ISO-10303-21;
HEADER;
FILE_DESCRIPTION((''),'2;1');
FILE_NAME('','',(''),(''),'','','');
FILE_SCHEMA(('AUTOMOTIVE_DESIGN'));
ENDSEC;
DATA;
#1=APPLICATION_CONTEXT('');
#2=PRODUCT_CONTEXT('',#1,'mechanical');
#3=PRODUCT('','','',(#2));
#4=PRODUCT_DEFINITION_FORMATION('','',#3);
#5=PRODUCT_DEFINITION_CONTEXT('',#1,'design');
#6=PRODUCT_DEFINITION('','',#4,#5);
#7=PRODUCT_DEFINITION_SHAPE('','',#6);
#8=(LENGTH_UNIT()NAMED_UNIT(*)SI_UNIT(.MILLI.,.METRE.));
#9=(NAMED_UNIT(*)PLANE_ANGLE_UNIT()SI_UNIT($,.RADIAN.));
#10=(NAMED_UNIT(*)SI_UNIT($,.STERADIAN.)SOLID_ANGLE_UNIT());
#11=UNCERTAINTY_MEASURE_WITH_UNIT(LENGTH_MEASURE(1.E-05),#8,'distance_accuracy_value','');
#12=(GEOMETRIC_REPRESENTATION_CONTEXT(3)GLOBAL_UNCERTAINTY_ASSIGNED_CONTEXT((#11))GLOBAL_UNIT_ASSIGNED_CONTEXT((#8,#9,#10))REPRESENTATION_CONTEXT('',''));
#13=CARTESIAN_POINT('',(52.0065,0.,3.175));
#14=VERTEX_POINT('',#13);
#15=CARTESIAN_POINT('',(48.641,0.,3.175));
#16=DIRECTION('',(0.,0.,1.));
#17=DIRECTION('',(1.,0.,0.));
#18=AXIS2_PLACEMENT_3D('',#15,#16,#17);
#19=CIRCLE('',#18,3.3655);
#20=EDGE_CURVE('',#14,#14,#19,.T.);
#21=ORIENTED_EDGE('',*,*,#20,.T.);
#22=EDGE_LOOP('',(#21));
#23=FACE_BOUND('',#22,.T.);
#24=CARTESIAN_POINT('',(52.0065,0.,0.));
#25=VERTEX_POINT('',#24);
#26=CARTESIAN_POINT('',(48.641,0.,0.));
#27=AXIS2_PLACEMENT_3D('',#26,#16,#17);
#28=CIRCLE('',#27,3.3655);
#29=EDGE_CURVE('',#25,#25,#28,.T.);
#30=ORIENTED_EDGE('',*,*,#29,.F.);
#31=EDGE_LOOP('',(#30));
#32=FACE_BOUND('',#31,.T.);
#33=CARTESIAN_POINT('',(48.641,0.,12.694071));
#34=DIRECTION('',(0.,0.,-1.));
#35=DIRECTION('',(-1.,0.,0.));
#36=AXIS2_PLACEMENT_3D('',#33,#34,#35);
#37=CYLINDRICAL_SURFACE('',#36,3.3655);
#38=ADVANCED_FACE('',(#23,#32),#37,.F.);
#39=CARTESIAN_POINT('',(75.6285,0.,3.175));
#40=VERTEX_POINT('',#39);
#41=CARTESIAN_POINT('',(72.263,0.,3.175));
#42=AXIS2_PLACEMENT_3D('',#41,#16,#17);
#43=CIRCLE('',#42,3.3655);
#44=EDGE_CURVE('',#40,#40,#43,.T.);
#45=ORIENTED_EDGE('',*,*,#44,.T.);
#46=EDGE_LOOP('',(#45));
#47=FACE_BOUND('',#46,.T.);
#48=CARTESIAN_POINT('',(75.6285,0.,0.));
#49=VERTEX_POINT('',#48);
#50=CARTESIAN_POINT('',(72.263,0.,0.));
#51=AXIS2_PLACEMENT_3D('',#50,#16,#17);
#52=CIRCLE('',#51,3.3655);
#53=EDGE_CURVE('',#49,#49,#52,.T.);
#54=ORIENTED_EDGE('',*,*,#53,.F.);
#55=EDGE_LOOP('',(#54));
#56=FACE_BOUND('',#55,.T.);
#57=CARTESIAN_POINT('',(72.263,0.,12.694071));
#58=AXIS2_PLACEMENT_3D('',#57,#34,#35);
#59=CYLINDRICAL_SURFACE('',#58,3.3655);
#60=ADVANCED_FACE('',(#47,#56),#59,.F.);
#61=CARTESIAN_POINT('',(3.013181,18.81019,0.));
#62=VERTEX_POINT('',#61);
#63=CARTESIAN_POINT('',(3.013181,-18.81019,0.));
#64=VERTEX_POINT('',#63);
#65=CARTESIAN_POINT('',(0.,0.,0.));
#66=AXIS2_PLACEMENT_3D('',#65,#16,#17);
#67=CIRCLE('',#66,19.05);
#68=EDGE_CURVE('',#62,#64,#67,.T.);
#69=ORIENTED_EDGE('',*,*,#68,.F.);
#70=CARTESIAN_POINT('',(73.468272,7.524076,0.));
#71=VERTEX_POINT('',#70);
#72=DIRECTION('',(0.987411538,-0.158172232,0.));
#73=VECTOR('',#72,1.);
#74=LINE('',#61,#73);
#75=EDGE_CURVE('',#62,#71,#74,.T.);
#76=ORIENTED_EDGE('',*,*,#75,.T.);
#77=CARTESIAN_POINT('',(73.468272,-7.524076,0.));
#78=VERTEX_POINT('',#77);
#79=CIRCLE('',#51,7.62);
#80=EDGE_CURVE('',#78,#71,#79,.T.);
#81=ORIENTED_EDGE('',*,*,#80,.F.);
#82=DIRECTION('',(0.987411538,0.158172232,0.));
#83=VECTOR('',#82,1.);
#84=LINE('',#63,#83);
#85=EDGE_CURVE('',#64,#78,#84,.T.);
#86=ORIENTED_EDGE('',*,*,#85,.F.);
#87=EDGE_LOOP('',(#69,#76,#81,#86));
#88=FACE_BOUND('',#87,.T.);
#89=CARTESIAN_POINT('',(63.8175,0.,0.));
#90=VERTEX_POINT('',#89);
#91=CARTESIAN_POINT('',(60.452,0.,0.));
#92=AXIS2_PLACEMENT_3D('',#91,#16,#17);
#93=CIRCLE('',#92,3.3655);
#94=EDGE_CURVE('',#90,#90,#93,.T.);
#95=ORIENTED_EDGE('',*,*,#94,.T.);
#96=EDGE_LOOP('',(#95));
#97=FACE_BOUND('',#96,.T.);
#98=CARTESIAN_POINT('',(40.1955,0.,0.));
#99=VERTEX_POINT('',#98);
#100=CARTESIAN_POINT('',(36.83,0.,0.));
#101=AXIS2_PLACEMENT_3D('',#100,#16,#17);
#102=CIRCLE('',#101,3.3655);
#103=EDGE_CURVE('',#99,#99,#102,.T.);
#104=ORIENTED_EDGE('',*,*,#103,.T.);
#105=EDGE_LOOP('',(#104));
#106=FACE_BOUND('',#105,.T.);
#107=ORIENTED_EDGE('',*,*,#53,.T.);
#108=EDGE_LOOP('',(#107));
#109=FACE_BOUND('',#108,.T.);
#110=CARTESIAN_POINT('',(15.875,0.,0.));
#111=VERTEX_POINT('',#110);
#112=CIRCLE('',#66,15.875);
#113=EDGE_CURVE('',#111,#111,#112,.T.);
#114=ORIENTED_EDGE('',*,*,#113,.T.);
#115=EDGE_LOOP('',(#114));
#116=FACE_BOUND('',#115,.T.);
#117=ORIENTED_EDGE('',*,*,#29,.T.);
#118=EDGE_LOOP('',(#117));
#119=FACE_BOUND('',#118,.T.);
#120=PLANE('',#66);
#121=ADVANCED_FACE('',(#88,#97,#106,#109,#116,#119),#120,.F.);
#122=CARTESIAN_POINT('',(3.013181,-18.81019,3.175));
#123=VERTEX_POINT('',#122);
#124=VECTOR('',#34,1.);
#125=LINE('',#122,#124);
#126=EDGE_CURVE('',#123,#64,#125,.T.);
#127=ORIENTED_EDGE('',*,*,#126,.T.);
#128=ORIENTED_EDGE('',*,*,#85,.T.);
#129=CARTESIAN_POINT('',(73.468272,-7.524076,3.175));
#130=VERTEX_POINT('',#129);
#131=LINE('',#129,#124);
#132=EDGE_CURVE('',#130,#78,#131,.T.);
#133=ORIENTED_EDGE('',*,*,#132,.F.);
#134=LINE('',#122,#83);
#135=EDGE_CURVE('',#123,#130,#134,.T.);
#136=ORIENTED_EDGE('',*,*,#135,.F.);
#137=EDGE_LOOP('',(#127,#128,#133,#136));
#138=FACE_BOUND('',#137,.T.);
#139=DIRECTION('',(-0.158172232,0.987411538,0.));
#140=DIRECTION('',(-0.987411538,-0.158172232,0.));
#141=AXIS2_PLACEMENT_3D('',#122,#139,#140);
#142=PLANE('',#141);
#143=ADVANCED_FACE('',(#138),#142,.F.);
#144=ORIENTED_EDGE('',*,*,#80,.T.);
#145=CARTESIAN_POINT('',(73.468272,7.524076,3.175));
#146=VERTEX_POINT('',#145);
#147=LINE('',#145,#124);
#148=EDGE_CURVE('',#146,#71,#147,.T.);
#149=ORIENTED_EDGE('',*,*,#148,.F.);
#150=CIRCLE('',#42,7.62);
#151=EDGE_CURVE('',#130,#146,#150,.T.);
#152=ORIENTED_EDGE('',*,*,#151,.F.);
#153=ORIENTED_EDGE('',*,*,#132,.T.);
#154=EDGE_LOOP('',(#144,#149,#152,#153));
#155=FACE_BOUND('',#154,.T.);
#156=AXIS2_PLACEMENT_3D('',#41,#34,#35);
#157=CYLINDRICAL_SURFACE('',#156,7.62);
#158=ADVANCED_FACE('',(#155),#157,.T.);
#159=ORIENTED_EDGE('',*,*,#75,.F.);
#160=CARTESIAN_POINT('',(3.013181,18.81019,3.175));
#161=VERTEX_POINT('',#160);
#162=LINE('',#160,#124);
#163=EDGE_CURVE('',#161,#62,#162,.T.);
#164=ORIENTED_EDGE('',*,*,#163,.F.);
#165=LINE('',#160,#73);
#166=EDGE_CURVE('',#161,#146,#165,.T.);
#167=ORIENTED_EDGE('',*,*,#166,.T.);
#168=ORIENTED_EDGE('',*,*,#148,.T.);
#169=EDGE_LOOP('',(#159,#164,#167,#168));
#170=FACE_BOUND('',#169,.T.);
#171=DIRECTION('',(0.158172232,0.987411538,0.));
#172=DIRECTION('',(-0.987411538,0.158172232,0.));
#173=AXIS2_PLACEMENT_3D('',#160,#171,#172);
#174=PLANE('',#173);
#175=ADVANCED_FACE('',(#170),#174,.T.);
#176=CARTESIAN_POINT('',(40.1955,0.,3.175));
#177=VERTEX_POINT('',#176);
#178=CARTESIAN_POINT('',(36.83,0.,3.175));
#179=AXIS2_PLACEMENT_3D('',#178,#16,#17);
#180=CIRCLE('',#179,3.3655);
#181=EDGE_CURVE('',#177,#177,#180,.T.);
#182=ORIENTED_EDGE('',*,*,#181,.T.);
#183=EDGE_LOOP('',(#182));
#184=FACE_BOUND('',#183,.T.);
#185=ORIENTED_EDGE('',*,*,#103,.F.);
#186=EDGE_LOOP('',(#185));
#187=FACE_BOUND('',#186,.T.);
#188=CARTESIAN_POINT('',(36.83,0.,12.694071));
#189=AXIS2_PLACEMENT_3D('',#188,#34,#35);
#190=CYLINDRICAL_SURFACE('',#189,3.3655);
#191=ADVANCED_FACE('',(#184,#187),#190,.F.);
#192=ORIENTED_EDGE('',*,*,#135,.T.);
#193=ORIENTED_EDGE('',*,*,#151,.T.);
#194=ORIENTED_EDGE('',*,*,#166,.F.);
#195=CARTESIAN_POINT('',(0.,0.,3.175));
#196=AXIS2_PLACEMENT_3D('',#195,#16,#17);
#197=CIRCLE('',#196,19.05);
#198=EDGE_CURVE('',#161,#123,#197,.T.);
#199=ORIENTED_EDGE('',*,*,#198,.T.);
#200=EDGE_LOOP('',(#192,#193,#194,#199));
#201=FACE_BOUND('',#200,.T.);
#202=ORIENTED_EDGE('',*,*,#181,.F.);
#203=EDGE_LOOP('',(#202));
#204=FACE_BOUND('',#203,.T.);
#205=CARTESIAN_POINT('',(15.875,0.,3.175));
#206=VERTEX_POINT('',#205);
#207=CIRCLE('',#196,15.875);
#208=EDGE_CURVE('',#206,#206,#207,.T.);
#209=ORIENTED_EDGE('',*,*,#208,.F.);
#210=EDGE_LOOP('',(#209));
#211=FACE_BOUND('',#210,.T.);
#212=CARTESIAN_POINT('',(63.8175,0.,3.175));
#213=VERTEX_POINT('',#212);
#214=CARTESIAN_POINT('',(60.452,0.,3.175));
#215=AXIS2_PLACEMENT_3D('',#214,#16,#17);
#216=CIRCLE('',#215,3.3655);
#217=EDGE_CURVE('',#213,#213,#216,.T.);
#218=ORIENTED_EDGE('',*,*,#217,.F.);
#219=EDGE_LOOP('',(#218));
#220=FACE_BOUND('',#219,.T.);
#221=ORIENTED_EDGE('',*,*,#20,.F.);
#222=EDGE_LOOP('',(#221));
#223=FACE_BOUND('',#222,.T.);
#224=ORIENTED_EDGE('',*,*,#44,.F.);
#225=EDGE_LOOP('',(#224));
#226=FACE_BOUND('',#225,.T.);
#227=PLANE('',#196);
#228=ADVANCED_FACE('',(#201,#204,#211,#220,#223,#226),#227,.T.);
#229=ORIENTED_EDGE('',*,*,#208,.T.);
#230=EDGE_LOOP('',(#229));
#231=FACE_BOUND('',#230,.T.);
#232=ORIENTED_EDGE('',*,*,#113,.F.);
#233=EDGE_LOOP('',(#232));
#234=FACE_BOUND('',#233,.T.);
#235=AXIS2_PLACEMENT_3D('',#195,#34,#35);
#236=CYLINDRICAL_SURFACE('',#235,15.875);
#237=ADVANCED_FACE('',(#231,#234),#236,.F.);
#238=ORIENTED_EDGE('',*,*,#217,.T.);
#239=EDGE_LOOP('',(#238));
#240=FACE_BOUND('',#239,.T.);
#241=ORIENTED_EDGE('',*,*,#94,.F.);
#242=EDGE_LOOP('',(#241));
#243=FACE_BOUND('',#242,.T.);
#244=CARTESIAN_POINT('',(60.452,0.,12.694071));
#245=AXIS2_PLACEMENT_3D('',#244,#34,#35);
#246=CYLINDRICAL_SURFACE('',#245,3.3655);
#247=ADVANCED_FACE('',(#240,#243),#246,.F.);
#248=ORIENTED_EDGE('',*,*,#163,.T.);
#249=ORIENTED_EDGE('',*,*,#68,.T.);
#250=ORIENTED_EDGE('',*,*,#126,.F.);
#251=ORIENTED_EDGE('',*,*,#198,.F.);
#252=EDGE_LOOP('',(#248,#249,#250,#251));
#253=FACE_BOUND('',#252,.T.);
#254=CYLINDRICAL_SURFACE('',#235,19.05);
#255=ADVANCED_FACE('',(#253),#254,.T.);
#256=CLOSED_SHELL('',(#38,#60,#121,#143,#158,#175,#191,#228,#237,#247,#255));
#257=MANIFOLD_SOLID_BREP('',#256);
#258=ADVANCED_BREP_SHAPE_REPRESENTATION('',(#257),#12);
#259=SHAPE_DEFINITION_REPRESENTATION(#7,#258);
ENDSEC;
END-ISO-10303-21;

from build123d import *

# Parameters (mm, degrees)
FLAT_SKETCH_R           = 19.05
FLAT_SKETCH_R_2         = 15.875
FLAT_SKETCH_R_3         = 7.62
FLAT_SKETCH_R_4         = 3.3655
EXTRUDE_FACE_DEPTH      = 3.175
FLAT_SKETCH_4_R         = 3.3655
EXTRUDE_CUT_HOLES_DEPTH = 3.175


with BuildPart() as part:
    # Flat sketch → Extrude face (new body)
    # profile 1 of 7: a face of its own
    with BuildSketch(Plane.XY):
        Circle(FLAT_SKETCH_R)
        Circle(FLAT_SKETCH_R_2, mode=Mode.SUBTRACT)
    # profile 2 of 7: a face of its own
    with BuildSketch(Plane.XY):
        with Locations((72.263, 0)):
            Circle(FLAT_SKETCH_R_3)
        with Locations((72.263, 0)):
            Circle(FLAT_SKETCH_R_4, mode=Mode.SUBTRACT)
    # profile 3 of 7: a face of its own
    with BuildSketch(Plane.XY):
        with Locations((72.263, 0)):
            Circle(FLAT_SKETCH_R_4)
    # profile 4 of 7: a face of its own
    with BuildSketch(Plane.XY):
        with BuildLine():
            Line((73.468272408, 7.524075918), (3.013181019, 18.810189796))
            ThreePointArc((3.013181019, 18.810189796), (14.49661337, 12.359235445), (19.05, 0))
            ThreePointArc((19.05, 0), (14.49661337, -12.359235445), (3.013181019, -18.810189796))
            Line((3.013181019, -18.810189796), (73.468272408, -7.524075918))
            ThreePointArc((73.468272408, -7.524075918), (64.643, 0), (73.468272408, 7.524075918))
        make_face()
        with Locations((36.83, 0)):
            Circle(FLAT_SKETCH_R_4, mode=Mode.SUBTRACT)
        with Locations((48.641, 0)):
            Circle(FLAT_SKETCH_R_4, mode=Mode.SUBTRACT)
        with Locations((60.452, 0)):
            Circle(FLAT_SKETCH_R_4, mode=Mode.SUBTRACT)
    # profile 5 of 7: a face of its own
    with BuildSketch(Plane.XY):
        with Locations((60.452, 0)):
            Circle(FLAT_SKETCH_R_4)
    # profile 6 of 7: a face of its own
    with BuildSketch(Plane.XY):
        with Locations((48.641, 0)):
            Circle(FLAT_SKETCH_R_4)
    # profile 7 of 7: a face of its own
    with BuildSketch(Plane.XY):
        with Locations((36.83, 0)):
            Circle(FLAT_SKETCH_R_4)
    extrude(amount=EXTRUDE_FACE_DEPTH)

    # Flat sketch<4> → Extrude cut - holes (cut)
    with BuildSketch(Plane.XY):
        with Locations((72.263, 0)):
            Circle(FLAT_SKETCH_4_R)
        with Locations((60.452, 0)):
            Circle(FLAT_SKETCH_4_R)
        with Locations((48.641, 0)):
            Circle(FLAT_SKETCH_4_R)
        with Locations((36.83, 0)):
            Circle(FLAT_SKETCH_4_R)
    extrude(amount=EXTRUDE_CUT_HOLES_DEPTH, mode=Mode.SUBTRACT)


solid = part.part
